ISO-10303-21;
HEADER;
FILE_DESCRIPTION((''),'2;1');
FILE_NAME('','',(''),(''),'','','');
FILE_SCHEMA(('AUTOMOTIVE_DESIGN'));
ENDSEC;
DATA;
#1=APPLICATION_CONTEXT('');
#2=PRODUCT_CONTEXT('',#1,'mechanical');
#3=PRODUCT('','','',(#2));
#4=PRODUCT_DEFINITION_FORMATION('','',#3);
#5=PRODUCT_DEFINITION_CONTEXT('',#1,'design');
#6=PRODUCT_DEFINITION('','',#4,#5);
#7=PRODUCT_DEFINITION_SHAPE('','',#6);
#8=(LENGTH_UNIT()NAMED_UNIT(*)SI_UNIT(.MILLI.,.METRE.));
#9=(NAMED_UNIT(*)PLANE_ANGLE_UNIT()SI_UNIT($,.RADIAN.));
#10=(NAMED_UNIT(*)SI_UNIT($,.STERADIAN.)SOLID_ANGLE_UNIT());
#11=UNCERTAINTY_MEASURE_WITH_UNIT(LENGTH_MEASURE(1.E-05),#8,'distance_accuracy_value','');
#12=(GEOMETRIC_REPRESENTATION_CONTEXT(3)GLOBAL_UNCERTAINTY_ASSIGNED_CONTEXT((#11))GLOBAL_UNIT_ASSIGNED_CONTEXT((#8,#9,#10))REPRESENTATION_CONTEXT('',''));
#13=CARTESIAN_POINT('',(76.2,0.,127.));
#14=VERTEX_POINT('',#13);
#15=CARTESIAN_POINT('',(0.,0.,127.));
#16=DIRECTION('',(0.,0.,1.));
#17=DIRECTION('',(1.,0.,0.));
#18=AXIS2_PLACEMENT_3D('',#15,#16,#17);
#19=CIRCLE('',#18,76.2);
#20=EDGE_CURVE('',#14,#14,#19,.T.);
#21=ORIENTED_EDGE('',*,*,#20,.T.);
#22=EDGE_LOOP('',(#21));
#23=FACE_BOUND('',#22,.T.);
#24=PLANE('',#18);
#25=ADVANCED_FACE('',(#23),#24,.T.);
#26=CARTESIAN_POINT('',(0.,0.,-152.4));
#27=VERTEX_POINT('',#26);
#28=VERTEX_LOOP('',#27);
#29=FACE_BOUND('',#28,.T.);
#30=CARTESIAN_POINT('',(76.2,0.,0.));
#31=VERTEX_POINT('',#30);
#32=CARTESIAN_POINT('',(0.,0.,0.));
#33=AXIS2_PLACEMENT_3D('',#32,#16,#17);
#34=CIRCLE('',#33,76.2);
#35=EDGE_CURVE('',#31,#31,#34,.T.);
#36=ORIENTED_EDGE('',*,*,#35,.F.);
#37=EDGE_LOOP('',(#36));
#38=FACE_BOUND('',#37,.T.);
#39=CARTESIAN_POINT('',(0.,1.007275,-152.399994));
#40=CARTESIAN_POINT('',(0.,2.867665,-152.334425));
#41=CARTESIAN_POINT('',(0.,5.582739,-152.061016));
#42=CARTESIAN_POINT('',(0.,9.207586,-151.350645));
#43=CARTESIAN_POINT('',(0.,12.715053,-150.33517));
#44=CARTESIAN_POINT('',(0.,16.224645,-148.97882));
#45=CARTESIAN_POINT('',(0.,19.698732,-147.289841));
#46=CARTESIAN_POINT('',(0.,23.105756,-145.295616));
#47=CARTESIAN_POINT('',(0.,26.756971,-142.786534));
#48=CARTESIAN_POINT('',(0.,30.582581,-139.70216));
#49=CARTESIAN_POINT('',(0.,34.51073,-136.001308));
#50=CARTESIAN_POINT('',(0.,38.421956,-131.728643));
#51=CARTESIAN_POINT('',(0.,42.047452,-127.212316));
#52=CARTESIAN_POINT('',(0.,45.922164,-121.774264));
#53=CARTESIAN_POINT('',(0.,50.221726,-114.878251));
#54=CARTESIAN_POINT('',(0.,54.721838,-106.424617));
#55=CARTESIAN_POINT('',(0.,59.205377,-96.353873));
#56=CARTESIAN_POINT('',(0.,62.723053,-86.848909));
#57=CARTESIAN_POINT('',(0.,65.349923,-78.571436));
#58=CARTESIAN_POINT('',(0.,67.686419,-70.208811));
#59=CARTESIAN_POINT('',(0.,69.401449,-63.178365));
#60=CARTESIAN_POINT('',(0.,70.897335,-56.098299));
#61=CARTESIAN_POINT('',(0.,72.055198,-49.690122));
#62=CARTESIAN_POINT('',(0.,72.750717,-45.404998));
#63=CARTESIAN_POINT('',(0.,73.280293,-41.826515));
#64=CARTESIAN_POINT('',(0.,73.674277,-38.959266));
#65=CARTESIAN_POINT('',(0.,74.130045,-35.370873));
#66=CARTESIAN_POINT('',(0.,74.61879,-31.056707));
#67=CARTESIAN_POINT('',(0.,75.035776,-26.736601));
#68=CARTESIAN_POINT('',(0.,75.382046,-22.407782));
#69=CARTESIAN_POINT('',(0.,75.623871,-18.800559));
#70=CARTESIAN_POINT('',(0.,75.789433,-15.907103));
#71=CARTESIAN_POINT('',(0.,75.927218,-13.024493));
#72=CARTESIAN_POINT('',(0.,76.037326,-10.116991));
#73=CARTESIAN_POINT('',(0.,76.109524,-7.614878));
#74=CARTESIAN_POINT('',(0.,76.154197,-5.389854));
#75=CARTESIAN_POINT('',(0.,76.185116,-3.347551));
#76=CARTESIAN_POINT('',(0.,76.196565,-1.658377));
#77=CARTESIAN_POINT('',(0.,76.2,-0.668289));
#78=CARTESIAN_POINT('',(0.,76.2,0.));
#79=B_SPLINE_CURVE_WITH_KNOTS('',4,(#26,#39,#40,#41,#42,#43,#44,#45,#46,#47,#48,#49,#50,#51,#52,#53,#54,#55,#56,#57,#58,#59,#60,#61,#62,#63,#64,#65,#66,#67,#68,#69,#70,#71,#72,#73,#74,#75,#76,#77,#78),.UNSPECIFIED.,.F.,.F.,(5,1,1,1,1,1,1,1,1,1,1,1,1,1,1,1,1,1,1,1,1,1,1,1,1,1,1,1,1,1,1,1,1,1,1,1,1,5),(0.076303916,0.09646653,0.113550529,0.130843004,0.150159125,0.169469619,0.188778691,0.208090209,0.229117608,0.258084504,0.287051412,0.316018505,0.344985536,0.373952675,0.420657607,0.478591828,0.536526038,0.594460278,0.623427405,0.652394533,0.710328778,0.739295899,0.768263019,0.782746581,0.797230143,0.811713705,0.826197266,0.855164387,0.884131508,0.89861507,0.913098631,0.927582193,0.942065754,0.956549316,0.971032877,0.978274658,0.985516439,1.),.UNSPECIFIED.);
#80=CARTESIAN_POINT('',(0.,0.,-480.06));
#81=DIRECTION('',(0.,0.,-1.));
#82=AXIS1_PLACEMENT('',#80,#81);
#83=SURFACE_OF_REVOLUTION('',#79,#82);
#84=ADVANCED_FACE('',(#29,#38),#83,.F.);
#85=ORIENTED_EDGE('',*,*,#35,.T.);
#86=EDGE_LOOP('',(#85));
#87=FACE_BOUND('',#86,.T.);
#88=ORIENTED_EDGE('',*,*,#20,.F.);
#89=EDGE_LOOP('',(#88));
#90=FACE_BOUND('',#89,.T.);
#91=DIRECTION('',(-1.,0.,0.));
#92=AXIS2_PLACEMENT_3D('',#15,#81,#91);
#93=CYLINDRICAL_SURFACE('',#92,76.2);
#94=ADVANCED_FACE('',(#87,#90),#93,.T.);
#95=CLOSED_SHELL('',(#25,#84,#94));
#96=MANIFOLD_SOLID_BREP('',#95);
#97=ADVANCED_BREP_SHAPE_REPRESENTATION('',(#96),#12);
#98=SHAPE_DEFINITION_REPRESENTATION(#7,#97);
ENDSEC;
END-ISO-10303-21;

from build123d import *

# Parameters (mm, degrees)
SKETCH2_R           = 76.2
BOSS_EXTRUDE1_DEPTH = 127


with BuildPart() as part:
    # Sketch1 → Revolve1 (revolve)
    with BuildSketch(Plane(origin=(0, 0, 0), x_dir=(0, 0, -1), z_dir=(1, 0, 0))):
        with BuildLine():
            Line((0, 76.2), (0, 0))
            Line((0, 0), (152.4, 0))
            add(Edge.make_bspline(
                [(0, 76.2), (0.668289372, 76.2), (1.658377172, 76.196565322), (3.3475509, 76.185116398), (5.389853733, 76.15419687), (7.614877607, 76.109523753), (10.11699106, 76.037326106), (13.024492925, 75.927217822), (15.907103003, 75.789433001), (18.800559435, 75.623871169), (22.407781556, 75.382046396), (26.736601143, 75.035775637), (31.056706665, 74.618789713), (35.370872642, 74.130044616), (38.959265844, 73.674277381), (41.826515288, 73.280292829), (45.404997538, 72.750716915), (49.690121518, 72.055197513), (56.098298794, 70.897335382), (63.17836502, 69.40144931), (70.208811144, 67.686418914), (78.57143632, 65.349923384), (86.848909349, 62.723053301), (96.353872922, 59.205377282), (106.424617467, 54.721838361), (114.878251498, 50.221725855), (121.774263974, 45.922163688), (127.212316476, 42.047451876), (131.728642674, 38.421956079), (136.00130823, 34.510730011), (139.702159514, 30.582581399), (142.786533548, 26.756971466), (145.295615962, 23.10575563), (147.289840932, 19.698731723), (148.978819683, 16.224644789), (150.335170018, 12.715052828), (151.350644993, 9.207585726), (152.061016263, 5.5827392), (152.334424833, 2.8676648), (152.399993954, 1.007275164), (152.4, 0)],
                knots=[0.076303916, 0.076303916, 0.076303916, 0.076303916, 0.076303916, 0.090787477, 0.098029258, 0.105271039, 0.1197546, 0.134238162, 0.148721723, 0.163205284, 0.177688846, 0.192172407, 0.221139528, 0.250106649, 0.264590211, 0.279073773, 0.293557335, 0.308040897, 0.337008017, 0.365975138, 0.423909383, 0.452876511, 0.481843638, 0.539777878, 0.597712087, 0.655646309, 0.702351241, 0.73131838, 0.760285411, 0.789252503, 0.818219412, 0.847186307, 0.868213707, 0.887525224, 0.906834297, 0.926144791, 0.945460912, 0.962753387, 0.979837386, 1, 1, 1, 1, 1], degree=4))
        make_face()
    revolve(axis=Axis((0, 0, -480.06), (0, 0, 1)))

    # Sketch2 → Boss-Extrude1 (add)
    with BuildSketch(Plane.XY):
        Circle(SKETCH2_R)
    extrude(amount=BOSS_EXTRUDE1_DEPTH)


solid = part.part
